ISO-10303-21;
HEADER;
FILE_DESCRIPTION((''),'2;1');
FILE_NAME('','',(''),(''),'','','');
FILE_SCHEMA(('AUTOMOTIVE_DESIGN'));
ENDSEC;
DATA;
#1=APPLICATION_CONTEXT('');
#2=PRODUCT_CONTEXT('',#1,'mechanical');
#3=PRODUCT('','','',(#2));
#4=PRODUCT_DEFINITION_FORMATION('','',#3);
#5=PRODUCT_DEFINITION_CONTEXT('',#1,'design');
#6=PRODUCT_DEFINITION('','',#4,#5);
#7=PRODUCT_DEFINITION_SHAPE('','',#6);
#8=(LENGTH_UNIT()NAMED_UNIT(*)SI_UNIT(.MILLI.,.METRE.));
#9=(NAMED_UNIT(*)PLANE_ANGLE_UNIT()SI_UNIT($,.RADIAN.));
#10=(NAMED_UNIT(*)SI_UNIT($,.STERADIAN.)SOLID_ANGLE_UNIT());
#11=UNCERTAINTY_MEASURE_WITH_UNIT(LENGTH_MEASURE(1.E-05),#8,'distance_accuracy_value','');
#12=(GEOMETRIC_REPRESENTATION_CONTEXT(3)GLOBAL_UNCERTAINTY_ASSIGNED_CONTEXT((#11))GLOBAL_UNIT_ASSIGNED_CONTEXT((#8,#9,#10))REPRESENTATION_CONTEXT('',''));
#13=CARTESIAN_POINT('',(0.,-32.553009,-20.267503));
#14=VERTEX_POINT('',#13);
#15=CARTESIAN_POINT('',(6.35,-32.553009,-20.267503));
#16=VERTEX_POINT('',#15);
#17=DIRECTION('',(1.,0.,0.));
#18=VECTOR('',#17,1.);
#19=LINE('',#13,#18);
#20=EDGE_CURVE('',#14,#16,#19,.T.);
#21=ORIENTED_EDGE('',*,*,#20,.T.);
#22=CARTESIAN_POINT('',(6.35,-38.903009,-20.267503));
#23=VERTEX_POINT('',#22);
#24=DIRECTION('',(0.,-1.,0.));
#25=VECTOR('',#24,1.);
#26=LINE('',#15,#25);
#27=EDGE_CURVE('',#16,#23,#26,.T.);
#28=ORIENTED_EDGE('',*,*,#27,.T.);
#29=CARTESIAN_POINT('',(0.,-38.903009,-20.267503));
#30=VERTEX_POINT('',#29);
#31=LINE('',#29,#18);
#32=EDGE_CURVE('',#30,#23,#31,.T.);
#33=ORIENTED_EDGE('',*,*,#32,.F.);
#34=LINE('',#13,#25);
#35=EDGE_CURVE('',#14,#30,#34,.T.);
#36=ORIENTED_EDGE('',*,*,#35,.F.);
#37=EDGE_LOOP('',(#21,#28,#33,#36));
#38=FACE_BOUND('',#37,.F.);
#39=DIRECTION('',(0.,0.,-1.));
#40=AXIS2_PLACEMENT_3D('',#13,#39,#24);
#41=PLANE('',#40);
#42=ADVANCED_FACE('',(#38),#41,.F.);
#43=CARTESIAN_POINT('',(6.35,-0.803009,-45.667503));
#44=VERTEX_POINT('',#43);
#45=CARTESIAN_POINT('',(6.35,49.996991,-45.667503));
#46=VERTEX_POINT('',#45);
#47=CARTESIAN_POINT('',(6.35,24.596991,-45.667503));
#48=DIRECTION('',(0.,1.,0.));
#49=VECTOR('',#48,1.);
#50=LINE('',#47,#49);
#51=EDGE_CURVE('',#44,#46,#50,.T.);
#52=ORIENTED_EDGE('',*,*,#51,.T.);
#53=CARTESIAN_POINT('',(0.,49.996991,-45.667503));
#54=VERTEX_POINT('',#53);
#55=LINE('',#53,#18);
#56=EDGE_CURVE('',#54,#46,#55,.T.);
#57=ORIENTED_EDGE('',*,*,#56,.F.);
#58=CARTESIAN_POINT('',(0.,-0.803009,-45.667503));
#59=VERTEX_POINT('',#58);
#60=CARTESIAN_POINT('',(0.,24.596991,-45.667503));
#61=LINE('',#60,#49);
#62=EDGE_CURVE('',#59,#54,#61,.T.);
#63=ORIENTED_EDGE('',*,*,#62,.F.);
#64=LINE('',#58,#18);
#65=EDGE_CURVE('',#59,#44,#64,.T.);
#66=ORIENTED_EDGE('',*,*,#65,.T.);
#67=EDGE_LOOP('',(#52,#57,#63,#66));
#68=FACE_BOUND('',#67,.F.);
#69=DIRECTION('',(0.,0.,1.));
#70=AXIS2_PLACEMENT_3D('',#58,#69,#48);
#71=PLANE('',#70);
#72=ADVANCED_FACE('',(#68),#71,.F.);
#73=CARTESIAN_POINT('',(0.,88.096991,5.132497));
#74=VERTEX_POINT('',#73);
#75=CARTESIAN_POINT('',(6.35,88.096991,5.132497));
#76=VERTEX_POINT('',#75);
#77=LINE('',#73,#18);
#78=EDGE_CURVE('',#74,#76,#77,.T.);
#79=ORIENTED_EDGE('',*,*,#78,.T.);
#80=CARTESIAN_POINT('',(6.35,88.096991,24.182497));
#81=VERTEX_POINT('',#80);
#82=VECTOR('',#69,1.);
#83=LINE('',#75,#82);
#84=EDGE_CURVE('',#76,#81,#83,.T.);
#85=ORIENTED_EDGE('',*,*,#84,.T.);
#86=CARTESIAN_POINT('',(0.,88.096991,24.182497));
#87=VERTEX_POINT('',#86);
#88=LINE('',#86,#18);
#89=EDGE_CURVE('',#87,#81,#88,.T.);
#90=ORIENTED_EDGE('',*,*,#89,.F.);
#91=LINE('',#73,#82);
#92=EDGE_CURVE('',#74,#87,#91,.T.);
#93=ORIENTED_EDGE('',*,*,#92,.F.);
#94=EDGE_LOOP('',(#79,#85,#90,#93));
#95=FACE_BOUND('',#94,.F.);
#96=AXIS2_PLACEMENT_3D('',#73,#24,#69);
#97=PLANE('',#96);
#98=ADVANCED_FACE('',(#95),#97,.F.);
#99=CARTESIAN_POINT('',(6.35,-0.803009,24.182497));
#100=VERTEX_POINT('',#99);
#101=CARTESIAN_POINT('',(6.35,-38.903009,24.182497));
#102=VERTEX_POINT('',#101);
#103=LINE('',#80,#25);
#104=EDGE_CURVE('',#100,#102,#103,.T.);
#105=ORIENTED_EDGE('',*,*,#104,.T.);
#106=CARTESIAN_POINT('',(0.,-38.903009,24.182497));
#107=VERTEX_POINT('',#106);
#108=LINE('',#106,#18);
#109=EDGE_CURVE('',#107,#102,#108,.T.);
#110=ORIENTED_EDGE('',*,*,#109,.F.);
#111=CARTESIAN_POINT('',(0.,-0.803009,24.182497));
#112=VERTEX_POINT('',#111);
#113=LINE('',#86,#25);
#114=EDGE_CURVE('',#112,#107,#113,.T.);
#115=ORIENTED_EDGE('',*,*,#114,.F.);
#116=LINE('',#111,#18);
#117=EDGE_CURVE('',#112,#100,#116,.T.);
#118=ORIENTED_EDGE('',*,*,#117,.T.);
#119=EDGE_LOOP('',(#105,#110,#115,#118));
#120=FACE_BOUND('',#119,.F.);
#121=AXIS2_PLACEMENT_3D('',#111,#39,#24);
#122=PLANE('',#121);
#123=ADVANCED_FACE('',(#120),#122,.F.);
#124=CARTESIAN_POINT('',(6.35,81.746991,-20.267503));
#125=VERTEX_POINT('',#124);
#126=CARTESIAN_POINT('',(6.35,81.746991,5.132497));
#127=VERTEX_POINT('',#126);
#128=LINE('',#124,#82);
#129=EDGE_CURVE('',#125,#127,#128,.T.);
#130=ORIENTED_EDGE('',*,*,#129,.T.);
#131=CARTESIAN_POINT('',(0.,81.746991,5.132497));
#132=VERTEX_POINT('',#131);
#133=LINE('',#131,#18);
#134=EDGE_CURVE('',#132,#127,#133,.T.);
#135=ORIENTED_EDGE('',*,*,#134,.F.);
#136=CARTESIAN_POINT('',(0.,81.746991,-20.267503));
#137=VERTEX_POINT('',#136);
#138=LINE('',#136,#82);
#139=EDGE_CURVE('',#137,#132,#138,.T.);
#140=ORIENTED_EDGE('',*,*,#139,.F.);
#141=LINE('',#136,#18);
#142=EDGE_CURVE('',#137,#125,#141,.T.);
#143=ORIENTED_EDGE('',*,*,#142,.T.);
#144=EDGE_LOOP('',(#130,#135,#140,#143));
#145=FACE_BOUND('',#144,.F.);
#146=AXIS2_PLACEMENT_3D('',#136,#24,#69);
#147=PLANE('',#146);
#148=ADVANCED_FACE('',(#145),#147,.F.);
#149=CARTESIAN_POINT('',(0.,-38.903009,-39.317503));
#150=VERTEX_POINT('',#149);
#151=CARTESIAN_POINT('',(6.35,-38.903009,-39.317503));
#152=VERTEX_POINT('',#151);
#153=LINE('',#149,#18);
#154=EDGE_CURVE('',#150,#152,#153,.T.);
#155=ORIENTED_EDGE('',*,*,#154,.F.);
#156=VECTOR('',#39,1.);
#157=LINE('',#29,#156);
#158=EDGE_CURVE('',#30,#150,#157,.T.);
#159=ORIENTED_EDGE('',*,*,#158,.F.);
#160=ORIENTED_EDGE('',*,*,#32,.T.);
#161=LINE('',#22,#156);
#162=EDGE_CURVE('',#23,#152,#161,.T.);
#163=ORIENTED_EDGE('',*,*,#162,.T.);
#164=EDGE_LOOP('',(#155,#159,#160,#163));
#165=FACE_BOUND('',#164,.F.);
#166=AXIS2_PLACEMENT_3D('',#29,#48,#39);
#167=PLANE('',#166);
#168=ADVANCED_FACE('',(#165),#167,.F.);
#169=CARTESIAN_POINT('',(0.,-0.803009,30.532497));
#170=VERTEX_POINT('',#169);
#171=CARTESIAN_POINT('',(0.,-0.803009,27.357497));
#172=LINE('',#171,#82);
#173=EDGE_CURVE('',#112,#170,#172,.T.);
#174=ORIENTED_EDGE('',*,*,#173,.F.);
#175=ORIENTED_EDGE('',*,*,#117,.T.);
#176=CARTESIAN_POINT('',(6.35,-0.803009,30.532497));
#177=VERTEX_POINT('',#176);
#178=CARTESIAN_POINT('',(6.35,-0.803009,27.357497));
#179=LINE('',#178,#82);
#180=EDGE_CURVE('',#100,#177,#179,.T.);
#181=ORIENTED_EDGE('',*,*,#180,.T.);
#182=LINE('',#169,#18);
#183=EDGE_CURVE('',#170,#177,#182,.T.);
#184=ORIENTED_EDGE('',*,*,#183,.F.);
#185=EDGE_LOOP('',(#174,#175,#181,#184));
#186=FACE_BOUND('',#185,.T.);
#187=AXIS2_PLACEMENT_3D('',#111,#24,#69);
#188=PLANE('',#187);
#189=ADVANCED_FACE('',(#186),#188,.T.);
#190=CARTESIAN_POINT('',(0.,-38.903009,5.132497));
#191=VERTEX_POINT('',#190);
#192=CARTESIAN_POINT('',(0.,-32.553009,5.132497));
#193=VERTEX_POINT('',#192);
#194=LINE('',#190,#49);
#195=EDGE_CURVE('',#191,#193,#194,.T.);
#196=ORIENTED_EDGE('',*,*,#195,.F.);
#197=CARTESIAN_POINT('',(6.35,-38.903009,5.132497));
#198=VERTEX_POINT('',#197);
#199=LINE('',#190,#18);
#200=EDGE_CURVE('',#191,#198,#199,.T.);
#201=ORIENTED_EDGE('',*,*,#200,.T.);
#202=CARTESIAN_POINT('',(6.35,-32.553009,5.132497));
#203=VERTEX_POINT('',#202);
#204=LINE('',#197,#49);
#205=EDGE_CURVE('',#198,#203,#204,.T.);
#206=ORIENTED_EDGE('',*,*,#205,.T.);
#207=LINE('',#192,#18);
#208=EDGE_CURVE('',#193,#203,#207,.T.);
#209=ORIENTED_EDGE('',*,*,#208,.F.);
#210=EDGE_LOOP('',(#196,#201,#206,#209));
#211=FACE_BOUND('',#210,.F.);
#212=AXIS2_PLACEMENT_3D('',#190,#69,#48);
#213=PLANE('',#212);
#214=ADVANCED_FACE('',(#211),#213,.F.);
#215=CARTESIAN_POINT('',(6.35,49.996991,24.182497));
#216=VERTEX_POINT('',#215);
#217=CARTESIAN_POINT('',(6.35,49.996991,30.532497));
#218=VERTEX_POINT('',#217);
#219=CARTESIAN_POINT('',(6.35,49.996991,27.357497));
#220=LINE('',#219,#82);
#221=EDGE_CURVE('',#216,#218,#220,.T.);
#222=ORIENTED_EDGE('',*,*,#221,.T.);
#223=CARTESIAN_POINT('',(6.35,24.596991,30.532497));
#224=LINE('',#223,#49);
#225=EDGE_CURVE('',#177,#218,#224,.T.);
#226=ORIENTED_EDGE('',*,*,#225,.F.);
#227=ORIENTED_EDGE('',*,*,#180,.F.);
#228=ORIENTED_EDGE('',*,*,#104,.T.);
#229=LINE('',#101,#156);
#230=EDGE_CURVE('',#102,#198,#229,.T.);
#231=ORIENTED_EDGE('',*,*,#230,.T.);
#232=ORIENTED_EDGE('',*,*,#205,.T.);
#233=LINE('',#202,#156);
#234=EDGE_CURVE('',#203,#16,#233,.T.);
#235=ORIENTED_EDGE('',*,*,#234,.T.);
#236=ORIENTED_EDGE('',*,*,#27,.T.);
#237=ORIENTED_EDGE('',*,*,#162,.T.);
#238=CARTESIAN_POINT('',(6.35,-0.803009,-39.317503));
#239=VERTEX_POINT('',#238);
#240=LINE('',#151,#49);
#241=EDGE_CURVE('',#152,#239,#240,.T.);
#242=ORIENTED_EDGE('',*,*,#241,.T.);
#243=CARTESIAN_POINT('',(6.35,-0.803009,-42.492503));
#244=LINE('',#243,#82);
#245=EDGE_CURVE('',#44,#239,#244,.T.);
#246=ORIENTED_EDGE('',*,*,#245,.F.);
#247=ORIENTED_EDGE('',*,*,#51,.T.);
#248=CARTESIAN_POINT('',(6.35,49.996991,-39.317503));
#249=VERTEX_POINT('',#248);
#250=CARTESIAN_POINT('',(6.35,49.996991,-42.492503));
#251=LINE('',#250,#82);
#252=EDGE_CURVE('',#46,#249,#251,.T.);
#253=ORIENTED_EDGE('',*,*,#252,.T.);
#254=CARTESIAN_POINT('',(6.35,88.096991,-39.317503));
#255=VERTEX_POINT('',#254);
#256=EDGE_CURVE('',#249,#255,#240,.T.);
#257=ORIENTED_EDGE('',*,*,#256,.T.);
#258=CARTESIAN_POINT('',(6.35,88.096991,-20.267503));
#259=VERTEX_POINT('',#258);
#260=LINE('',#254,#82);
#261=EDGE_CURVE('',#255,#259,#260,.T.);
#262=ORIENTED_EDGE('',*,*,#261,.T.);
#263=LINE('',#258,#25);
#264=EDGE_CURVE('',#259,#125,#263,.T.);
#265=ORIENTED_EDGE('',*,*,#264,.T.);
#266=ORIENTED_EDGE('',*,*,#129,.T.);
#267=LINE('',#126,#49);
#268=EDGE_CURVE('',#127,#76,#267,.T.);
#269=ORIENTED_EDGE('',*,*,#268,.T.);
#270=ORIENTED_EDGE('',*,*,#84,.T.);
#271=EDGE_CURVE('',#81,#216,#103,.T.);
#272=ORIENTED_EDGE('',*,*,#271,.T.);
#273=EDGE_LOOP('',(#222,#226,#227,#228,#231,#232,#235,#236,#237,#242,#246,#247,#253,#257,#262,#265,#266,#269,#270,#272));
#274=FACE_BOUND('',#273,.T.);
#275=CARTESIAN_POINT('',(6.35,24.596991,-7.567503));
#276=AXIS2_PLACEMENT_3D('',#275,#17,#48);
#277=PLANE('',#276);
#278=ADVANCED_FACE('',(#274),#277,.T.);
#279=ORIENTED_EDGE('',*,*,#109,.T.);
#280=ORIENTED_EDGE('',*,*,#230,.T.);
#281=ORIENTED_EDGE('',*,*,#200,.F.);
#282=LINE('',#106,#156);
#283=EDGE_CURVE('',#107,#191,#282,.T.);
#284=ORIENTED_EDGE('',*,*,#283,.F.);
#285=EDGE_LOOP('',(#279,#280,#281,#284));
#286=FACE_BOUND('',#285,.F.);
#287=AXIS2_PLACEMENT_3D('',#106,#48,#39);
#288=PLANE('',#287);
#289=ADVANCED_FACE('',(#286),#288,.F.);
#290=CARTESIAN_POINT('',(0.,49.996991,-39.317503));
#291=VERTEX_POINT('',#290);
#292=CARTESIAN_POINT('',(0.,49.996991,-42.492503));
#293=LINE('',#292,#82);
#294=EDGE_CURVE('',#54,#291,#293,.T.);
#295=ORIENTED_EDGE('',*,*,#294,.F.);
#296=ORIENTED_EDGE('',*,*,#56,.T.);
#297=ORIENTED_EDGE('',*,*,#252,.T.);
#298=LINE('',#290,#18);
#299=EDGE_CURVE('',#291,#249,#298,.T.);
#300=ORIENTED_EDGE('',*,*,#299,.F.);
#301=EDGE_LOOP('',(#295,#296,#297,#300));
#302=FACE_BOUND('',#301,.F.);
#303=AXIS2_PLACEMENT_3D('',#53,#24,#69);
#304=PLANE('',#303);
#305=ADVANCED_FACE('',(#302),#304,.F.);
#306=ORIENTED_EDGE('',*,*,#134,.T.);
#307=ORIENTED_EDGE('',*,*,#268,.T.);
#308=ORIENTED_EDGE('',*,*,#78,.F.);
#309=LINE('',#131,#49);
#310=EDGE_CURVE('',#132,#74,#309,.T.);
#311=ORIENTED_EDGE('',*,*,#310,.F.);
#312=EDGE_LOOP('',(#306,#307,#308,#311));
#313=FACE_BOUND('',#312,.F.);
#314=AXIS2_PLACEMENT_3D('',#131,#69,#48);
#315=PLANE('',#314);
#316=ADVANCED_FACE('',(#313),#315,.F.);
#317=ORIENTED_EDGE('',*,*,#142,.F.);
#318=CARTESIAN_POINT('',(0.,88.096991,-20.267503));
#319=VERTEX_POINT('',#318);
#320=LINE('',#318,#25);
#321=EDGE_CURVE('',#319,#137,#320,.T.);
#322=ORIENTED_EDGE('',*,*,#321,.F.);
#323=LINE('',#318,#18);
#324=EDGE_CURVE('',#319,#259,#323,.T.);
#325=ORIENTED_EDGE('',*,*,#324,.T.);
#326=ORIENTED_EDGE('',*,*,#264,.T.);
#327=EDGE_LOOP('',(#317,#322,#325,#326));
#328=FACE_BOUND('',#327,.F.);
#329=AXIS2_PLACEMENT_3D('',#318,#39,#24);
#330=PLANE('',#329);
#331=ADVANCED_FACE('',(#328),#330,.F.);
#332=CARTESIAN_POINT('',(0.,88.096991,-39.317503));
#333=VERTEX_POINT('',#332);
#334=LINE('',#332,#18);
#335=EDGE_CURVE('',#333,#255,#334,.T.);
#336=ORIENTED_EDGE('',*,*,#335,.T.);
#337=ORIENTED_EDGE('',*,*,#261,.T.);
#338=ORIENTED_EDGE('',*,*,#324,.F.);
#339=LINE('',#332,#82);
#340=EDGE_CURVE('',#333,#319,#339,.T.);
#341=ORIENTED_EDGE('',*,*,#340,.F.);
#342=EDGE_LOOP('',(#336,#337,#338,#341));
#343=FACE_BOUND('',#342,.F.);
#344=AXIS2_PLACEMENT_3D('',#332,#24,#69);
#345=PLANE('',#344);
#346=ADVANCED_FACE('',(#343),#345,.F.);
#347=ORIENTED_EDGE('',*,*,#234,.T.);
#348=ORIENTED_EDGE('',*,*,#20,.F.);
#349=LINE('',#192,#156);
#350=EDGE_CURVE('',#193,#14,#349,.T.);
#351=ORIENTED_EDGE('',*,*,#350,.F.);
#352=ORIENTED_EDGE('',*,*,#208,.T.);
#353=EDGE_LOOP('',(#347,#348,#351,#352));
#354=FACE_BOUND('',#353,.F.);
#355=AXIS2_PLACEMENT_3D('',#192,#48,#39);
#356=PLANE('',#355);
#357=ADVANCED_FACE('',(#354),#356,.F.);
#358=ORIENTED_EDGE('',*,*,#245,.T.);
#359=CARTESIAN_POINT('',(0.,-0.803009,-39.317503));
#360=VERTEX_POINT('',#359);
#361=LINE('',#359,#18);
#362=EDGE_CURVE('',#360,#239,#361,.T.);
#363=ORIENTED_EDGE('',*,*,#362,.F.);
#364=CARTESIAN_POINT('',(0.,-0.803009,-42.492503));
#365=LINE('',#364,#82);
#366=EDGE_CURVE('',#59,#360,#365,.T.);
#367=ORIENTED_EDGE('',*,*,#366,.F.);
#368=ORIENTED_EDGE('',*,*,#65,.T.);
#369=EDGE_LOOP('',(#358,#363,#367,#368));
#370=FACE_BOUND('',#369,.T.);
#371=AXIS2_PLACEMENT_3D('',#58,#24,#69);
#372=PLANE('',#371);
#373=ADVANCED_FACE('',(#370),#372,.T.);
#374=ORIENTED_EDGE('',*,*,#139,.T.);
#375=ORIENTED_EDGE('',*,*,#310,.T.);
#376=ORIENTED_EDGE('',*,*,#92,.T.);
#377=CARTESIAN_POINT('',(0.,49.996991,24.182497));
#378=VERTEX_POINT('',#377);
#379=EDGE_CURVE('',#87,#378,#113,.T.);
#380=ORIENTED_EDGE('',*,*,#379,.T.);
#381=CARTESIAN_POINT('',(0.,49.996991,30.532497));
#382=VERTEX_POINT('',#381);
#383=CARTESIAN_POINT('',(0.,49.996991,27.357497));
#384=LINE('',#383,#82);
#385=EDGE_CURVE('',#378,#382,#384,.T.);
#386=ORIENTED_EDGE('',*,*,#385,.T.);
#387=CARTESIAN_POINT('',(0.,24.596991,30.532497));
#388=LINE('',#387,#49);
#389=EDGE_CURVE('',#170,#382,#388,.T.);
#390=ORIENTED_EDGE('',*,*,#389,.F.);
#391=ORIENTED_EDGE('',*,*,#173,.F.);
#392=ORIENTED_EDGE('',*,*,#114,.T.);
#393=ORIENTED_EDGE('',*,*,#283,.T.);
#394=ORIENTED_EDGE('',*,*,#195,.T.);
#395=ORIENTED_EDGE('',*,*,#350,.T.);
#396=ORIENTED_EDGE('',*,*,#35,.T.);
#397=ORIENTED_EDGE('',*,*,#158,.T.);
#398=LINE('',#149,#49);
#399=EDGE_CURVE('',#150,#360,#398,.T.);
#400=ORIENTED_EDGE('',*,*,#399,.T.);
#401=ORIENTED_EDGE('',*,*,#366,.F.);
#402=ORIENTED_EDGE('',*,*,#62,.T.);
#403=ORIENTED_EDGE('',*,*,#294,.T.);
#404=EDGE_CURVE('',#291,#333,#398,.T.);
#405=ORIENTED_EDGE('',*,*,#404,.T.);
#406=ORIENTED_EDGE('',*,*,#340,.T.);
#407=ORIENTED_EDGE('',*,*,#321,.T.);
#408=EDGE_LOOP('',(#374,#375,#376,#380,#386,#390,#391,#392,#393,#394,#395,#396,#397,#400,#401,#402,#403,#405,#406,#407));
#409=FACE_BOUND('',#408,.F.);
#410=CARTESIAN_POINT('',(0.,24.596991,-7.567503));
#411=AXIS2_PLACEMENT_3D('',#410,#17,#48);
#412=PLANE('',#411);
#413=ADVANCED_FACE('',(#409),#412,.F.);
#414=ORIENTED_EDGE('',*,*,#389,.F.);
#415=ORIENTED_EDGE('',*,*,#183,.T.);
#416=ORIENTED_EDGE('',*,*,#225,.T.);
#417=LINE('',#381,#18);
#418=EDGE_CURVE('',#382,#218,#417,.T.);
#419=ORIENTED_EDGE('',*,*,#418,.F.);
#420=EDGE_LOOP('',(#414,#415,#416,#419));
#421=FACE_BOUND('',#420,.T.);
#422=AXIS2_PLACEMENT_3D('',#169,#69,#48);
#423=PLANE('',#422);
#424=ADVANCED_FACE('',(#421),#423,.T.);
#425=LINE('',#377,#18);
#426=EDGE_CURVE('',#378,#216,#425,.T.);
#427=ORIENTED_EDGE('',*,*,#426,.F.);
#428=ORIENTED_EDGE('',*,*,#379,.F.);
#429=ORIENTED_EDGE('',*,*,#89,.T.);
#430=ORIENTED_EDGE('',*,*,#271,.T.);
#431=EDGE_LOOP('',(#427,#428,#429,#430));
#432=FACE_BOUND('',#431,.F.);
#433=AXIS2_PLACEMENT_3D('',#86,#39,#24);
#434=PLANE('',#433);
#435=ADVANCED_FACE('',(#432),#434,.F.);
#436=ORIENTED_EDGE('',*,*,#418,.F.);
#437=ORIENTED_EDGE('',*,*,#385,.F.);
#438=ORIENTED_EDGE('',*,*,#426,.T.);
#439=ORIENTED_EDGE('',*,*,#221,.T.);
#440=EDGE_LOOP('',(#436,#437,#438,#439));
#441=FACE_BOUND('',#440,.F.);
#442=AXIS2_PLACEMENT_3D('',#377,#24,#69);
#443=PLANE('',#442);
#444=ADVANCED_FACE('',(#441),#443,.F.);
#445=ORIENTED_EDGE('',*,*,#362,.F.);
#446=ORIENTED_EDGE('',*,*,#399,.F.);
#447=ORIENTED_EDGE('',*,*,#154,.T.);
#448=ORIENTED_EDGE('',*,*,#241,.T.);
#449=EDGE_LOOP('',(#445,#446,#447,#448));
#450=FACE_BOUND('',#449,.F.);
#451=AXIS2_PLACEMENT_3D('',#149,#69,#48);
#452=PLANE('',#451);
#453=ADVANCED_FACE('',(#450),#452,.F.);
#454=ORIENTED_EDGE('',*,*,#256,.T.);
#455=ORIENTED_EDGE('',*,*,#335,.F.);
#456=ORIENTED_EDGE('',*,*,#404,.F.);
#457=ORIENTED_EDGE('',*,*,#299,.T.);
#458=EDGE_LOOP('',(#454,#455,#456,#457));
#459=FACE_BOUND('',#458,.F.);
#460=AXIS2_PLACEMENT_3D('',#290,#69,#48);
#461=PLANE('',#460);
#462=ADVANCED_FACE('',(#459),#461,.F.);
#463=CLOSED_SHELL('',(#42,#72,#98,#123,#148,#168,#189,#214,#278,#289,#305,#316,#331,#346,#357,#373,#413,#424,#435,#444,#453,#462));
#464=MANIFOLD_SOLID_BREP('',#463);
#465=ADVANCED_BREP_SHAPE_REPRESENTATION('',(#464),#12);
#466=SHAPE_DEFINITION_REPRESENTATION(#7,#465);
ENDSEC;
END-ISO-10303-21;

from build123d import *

# Parameters (mm, degrees)
F0_W     = 50.8
F0_H     = 6.35
F1_DEPTH = 6.35


with BuildPart() as f1:
    # F0 (on Right) → F1 (new body)
    with BuildSketch(Plane.YZ):
        Polygon((-0.8030089825, 24.1824972746), (-38.9030089825, 24.1824972746), (-38.9030089825, 5.1324972746), (-32.5530089825, 5.1324972746), (-32.5530089825, -20.2675027254), (-38.9030089825, -20.2675027254), (-38.9030089825, -39.3175027254), (-0.8030089825, -39.3175027254), (49.9969910175, -39.3175027254), (88.0969910175, -39.3175027254), (88.0969910175, -20.2675027254), (81.7469910175, -20.2675027254), (81.7469910175, 5.1324972746), (88.0969910175, 5.1324972746), (88.0969910175, 24.1824972746), (49.9969910175, 24.1824972746), align=None)
        with Locations((24.5969910175, 27.3574972746)):
            Rectangle(F0_W, F0_H)
        with Locations((24.5969910175, -42.4925027254)):
            Rectangle(F0_W, F0_H)
    extrude(amount=F1_DEPTH)


solid = f1.part
